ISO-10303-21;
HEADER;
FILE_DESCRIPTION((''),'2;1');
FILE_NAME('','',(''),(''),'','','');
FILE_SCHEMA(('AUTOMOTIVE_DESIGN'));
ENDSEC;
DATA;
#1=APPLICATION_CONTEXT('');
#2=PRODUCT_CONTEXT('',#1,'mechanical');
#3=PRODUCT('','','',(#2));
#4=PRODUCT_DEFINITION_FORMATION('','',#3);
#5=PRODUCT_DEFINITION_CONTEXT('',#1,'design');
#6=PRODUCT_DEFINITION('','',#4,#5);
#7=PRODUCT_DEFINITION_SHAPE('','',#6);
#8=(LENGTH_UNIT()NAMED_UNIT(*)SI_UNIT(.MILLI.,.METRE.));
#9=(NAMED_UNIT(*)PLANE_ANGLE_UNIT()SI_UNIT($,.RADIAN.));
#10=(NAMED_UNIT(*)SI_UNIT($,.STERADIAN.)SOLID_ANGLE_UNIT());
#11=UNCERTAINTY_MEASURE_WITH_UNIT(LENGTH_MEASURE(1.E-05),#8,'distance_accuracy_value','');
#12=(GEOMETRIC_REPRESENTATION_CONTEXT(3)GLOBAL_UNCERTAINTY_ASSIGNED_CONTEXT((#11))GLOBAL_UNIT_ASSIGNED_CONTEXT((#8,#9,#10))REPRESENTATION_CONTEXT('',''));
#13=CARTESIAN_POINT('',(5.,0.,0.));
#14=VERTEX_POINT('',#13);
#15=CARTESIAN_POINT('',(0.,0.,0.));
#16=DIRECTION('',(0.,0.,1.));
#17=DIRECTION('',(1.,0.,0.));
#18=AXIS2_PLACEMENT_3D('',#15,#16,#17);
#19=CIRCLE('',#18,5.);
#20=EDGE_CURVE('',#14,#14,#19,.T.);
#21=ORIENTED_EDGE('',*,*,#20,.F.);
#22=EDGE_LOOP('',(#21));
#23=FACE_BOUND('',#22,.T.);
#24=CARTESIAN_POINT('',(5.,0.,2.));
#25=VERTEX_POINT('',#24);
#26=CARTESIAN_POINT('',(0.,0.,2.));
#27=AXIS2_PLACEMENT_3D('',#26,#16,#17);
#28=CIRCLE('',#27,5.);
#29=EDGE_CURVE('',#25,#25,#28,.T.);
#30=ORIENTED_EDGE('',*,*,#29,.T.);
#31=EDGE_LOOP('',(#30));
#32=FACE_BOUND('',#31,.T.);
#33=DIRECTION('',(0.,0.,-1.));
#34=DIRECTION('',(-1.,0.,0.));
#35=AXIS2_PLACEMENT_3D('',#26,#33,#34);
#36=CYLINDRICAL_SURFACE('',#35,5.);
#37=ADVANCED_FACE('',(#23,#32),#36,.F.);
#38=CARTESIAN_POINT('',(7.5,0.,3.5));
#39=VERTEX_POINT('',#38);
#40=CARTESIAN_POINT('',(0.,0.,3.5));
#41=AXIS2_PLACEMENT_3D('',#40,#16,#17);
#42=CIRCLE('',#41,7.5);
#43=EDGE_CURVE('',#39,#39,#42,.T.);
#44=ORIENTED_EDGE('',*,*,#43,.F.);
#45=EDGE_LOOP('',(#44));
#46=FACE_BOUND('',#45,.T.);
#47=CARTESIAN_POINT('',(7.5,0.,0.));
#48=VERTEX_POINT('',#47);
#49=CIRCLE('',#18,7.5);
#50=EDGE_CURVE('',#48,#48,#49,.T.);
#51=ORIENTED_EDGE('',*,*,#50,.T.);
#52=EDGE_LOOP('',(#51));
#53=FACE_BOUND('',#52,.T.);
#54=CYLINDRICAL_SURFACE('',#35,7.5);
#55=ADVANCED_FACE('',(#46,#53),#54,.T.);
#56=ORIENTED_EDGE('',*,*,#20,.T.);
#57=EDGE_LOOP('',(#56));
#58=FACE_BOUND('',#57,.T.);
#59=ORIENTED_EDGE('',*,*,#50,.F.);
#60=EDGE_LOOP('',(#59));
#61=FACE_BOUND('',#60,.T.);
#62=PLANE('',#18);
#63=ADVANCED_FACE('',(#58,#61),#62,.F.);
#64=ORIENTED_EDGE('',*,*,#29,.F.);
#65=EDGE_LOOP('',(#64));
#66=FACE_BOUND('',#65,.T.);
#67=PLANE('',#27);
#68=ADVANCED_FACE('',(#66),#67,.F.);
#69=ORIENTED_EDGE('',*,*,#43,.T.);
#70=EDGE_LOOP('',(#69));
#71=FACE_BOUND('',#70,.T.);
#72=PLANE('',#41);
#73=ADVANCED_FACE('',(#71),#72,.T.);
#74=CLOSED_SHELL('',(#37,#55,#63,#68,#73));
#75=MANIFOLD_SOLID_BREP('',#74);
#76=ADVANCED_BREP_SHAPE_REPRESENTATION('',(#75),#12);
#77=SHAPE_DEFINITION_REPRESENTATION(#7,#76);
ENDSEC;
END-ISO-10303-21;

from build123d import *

# Parameters (mm, degrees)
SKETCH_1_R      = 7.5
SKETCH_1_R_2    = 5
EXTRUDE_1_DEPTH = 2
SKETCH_2_R      = 7.5
EXTRUDE_2_DEPTH = 1.5


with BuildPart() as part:
    # 草图1 → 凸台-拉伸1 (new body)
    with BuildSketch(Plane.XY):
        Circle(SKETCH_1_R)
        Circle(SKETCH_1_R_2, mode=Mode.SUBTRACT)
    extrude(amount=EXTRUDE_1_DEPTH)

    # 草图2 → 凸台-拉伸2 (add)
    with BuildSketch(Plane.XY.offset(2)):
        Circle(SKETCH_2_R)
    extrude(amount=EXTRUDE_2_DEPTH)


solid = part.part
